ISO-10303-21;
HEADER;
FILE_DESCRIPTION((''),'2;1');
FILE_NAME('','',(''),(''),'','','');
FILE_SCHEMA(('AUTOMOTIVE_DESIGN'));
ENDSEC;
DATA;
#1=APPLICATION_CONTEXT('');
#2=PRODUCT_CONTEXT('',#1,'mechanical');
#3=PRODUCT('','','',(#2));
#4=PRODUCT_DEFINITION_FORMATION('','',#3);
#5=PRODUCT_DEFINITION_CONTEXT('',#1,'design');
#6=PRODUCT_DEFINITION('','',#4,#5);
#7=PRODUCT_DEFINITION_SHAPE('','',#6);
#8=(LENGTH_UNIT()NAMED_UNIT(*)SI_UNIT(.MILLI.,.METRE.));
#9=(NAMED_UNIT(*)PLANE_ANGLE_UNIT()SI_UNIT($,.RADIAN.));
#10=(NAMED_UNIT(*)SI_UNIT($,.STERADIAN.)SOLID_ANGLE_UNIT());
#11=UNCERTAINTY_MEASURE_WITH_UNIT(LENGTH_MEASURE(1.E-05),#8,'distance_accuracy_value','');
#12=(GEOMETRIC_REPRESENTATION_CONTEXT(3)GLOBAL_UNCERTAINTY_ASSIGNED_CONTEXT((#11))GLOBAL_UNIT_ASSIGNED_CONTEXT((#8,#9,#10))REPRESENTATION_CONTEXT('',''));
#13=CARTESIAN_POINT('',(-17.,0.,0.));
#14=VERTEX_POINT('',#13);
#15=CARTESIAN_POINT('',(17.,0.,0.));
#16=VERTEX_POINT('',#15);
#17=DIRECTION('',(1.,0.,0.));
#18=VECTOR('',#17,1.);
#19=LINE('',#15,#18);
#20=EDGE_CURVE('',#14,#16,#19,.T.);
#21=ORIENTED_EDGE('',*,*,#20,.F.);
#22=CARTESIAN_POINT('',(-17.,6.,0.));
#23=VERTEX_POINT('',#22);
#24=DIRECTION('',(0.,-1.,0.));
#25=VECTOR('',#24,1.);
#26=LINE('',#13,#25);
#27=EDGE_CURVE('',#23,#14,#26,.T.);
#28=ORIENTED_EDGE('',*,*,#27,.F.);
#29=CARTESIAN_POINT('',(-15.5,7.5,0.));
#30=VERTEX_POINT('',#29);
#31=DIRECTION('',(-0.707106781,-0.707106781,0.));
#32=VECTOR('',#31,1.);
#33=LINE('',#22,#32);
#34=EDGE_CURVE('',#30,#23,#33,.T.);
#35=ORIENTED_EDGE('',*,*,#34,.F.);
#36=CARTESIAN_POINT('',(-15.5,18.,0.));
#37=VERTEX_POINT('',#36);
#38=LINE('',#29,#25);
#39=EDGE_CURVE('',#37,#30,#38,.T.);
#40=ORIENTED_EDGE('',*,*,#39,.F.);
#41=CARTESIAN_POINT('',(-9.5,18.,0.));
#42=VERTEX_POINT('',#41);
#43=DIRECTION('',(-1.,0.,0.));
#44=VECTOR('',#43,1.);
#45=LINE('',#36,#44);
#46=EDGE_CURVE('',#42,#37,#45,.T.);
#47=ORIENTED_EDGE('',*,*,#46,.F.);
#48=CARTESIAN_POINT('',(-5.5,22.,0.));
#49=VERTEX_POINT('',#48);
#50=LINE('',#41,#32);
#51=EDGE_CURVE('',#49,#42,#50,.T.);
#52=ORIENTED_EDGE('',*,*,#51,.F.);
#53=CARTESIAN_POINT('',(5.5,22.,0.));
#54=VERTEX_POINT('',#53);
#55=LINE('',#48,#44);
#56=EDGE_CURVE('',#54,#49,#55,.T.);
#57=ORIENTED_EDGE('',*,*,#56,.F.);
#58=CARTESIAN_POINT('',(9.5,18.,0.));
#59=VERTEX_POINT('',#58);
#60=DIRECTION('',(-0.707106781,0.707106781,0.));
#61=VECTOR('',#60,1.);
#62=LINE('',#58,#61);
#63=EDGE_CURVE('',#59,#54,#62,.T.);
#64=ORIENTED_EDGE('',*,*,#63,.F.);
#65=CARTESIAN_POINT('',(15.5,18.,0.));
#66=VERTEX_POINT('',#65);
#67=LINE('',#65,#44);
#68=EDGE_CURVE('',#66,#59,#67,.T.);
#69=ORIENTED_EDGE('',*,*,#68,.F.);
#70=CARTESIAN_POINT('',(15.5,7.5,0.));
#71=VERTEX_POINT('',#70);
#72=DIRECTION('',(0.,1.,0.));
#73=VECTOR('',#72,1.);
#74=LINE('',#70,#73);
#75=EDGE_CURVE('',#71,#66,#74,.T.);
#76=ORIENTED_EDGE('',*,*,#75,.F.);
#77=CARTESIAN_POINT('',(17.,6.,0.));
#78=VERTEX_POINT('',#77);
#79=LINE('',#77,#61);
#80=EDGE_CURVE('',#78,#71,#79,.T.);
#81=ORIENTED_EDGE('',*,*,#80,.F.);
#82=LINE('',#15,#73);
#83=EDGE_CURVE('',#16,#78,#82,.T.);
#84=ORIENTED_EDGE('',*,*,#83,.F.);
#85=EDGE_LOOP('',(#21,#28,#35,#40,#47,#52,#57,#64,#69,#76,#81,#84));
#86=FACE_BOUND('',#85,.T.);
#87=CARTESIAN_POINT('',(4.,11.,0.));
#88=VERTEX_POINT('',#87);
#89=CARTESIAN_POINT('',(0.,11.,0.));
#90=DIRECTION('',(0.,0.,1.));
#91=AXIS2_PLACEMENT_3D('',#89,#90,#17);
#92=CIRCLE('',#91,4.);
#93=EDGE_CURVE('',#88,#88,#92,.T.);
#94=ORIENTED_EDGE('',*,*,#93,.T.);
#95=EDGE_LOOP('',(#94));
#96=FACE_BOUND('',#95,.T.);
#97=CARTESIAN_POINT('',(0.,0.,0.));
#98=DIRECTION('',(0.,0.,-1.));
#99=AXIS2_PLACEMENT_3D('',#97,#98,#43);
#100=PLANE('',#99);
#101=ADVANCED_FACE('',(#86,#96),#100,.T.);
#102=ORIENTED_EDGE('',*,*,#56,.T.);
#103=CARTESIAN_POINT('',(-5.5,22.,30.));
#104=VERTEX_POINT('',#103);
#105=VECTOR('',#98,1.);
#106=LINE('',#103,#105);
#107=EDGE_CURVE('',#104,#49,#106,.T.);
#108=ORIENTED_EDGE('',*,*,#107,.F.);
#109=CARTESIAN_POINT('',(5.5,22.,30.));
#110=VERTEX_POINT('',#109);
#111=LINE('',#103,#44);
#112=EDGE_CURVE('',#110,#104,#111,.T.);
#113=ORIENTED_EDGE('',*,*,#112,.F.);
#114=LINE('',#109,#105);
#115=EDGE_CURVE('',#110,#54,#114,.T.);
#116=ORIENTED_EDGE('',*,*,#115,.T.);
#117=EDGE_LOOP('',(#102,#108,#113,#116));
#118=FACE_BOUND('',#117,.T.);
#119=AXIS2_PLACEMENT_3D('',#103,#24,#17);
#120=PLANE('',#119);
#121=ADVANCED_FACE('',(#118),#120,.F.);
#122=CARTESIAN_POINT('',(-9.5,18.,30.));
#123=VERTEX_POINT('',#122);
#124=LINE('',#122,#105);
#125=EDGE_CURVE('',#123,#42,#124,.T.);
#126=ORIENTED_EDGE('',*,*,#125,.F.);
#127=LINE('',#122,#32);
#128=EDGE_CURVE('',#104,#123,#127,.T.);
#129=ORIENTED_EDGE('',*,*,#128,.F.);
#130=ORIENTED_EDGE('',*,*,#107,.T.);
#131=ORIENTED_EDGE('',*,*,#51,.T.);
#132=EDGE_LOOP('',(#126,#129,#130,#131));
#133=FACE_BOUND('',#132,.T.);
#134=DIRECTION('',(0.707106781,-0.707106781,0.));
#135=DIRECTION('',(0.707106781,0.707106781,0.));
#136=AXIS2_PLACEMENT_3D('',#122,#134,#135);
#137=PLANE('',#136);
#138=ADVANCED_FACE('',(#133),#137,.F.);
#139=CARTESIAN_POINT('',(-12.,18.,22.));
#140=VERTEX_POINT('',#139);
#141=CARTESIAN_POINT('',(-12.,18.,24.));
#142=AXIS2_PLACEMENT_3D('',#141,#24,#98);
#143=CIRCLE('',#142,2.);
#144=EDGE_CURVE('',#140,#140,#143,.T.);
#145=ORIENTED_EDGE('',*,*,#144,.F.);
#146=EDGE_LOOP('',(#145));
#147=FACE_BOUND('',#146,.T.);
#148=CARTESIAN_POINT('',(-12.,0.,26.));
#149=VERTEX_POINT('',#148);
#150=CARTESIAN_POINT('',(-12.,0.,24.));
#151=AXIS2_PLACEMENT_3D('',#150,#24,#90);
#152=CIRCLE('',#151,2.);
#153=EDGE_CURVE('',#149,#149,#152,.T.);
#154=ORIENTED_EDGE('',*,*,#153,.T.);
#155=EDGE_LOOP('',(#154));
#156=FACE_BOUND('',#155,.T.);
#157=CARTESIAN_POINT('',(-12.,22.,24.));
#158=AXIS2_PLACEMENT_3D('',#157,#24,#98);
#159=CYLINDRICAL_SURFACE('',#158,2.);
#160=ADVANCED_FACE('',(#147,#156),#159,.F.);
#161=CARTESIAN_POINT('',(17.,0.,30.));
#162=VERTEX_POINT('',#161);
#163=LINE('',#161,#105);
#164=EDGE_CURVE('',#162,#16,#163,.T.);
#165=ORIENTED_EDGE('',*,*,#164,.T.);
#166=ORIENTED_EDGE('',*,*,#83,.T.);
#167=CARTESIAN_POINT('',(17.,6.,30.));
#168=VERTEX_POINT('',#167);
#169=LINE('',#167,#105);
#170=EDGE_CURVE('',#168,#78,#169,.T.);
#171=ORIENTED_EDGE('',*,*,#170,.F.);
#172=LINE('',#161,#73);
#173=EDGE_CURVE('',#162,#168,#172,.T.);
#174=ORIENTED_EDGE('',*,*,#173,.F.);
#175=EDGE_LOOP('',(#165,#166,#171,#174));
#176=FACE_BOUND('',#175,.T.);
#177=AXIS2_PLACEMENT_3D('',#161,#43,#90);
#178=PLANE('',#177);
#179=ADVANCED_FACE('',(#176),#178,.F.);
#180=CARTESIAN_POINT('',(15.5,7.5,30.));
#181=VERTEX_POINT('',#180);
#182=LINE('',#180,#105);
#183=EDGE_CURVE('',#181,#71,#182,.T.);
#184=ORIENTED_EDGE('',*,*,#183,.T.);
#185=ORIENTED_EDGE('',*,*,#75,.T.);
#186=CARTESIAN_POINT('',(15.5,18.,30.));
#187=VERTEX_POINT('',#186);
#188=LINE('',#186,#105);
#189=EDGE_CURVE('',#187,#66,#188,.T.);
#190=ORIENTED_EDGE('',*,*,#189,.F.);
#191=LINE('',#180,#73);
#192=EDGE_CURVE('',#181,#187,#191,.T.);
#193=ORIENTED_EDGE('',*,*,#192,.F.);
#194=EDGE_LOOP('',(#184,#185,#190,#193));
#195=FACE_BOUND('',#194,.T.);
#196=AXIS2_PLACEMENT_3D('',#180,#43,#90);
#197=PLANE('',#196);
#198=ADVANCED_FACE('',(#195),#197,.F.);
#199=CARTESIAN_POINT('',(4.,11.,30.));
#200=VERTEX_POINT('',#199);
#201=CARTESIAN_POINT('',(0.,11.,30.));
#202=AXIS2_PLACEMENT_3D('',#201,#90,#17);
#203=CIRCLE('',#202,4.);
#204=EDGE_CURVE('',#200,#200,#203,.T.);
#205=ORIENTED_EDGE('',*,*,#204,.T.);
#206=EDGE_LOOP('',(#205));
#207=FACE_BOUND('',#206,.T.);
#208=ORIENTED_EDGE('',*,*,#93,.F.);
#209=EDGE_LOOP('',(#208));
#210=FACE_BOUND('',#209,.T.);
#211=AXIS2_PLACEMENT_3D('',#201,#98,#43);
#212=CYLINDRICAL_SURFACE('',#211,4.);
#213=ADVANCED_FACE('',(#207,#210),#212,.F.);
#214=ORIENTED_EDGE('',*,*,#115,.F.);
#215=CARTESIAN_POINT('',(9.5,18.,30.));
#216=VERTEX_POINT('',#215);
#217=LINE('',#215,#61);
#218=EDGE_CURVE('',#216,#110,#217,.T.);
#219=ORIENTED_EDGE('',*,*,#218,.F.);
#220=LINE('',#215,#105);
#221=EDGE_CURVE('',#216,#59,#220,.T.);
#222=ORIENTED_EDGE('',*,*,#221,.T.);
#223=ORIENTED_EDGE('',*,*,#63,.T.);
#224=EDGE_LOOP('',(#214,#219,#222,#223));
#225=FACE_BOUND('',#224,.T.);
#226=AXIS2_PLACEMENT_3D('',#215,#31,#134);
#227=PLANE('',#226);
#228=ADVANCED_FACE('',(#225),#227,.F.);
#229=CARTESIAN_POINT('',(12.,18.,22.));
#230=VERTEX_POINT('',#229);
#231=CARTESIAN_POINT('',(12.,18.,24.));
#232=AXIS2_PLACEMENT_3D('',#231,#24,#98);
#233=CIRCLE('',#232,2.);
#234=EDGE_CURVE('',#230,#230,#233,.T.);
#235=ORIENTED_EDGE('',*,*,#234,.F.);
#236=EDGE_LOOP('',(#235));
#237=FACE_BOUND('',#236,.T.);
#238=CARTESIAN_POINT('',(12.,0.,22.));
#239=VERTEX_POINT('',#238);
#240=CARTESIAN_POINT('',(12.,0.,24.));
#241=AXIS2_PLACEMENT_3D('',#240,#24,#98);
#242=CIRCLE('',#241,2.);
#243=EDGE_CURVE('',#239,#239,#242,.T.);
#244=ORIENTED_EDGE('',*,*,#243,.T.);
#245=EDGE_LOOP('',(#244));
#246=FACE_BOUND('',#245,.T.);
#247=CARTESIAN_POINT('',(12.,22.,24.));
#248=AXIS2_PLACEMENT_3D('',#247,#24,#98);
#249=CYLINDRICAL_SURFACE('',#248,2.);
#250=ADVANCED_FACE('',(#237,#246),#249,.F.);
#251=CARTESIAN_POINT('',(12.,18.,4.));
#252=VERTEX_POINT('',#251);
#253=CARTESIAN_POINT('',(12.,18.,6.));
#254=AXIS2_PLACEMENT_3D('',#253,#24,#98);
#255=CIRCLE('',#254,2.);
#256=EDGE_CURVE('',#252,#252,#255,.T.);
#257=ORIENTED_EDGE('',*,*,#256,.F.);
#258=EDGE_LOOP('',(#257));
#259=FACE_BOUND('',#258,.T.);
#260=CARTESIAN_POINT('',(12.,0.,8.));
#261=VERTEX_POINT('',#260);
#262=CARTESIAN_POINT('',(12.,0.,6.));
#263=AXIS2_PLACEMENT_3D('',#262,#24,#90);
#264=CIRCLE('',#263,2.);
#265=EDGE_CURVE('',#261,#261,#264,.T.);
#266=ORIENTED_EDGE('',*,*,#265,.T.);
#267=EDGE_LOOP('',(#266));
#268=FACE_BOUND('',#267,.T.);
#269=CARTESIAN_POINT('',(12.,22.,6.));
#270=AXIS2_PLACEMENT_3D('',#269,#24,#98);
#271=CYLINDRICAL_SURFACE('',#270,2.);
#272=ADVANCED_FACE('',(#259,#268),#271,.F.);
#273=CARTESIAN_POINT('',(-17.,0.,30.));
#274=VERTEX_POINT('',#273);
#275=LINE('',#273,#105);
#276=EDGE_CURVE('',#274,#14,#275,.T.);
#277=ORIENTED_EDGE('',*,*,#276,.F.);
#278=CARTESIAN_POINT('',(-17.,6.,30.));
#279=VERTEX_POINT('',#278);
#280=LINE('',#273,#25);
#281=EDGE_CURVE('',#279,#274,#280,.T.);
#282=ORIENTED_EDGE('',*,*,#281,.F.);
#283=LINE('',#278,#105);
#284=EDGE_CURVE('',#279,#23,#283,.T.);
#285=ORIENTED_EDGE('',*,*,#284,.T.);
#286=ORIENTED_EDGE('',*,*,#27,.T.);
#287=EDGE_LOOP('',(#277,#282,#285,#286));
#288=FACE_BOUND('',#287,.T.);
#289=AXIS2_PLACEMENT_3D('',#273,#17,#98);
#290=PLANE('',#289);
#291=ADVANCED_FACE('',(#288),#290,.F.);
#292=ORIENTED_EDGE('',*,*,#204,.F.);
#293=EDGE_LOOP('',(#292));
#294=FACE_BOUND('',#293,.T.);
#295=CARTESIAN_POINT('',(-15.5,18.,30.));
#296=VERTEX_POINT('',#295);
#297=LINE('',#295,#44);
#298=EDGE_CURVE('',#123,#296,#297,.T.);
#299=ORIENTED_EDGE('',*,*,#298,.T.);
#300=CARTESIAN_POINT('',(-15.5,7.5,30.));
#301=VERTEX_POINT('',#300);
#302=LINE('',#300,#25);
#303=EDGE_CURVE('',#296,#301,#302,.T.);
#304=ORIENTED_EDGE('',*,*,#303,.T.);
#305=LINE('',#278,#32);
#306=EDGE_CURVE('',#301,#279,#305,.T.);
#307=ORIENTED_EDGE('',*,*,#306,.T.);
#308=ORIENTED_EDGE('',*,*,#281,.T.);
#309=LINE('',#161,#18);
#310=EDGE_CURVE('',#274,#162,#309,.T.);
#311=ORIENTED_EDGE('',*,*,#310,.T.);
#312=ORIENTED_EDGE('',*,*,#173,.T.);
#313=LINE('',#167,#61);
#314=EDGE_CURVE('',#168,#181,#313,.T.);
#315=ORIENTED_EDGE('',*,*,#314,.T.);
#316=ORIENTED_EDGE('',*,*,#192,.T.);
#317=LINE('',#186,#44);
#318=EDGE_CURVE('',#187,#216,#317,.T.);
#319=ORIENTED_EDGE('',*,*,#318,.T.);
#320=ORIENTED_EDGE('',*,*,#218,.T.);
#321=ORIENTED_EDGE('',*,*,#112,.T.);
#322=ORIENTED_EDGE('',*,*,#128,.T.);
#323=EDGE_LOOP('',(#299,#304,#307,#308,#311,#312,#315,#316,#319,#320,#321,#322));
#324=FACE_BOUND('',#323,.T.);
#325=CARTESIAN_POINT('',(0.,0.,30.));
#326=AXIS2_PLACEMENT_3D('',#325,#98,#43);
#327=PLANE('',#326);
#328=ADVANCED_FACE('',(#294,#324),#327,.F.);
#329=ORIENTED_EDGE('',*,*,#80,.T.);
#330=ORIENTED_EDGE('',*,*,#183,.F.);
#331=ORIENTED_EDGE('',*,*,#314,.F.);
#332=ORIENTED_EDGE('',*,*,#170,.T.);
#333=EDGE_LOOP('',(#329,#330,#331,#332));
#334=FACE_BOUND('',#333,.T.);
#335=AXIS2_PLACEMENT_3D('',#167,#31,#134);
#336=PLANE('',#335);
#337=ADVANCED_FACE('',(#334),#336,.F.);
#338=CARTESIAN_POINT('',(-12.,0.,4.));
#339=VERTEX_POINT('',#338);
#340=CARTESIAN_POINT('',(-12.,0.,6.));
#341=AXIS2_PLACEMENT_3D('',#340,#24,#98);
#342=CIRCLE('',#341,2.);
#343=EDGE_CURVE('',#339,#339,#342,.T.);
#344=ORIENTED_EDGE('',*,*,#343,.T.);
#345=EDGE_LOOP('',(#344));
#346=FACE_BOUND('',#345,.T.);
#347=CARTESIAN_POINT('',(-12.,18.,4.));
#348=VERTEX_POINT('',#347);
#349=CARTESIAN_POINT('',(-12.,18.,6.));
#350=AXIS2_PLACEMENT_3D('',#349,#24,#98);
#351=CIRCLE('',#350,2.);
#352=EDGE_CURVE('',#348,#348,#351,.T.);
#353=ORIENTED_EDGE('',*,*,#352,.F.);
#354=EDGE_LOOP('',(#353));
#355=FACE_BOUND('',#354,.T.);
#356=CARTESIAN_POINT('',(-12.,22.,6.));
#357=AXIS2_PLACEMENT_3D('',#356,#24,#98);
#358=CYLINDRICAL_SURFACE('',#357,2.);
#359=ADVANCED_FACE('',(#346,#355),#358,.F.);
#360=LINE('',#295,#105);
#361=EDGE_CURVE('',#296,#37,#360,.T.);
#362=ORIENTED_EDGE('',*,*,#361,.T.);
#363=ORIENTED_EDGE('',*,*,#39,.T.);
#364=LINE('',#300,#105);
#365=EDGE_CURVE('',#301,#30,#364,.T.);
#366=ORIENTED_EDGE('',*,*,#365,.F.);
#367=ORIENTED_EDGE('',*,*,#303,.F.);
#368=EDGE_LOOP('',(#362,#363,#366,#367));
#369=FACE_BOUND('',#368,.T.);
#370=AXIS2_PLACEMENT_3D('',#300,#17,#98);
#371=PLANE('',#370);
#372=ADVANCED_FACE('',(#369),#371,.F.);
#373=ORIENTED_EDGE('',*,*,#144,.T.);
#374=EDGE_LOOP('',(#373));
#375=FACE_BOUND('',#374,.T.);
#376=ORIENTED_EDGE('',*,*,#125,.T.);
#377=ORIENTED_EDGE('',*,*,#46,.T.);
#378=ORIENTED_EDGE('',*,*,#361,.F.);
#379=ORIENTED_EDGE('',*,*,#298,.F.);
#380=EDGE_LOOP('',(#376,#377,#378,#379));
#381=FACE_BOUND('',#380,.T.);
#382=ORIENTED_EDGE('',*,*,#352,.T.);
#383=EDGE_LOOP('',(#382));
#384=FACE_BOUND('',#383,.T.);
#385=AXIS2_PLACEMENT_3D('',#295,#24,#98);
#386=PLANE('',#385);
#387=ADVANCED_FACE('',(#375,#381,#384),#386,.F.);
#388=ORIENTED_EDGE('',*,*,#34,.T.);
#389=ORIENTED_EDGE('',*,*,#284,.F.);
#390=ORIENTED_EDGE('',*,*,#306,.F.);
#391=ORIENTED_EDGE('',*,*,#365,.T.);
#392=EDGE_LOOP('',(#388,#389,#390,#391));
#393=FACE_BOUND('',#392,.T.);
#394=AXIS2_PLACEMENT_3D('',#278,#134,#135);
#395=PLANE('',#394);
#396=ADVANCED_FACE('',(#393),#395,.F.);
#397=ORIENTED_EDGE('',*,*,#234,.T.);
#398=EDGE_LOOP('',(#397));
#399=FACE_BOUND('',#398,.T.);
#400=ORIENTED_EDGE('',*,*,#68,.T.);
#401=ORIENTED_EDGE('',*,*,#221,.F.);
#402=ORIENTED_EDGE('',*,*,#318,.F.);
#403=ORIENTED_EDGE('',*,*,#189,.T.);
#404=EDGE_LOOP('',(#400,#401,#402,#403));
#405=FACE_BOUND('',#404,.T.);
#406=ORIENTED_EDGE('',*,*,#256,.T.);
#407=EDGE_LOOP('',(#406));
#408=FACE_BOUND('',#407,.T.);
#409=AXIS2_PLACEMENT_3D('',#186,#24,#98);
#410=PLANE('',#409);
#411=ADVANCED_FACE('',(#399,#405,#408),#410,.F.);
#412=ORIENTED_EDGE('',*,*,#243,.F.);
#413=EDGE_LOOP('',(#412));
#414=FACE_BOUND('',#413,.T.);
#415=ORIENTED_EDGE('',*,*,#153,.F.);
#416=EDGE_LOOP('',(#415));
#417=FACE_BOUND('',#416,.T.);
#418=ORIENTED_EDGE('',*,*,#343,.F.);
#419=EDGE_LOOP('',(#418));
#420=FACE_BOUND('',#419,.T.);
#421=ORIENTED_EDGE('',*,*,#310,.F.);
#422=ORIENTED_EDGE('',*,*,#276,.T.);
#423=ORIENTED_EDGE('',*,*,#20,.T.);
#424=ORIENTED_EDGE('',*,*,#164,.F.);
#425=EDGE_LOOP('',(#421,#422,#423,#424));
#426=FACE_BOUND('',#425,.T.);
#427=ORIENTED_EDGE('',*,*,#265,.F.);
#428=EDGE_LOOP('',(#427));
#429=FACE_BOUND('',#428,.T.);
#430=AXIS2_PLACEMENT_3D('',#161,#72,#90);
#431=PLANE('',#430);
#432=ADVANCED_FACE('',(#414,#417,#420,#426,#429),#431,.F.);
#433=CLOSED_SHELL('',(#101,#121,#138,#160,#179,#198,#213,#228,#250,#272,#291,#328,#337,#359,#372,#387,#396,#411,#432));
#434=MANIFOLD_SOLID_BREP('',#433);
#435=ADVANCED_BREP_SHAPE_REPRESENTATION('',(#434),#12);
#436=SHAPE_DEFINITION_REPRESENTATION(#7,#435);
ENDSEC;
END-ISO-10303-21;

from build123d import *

# Parameters (mm, degrees)
SKETCH_1_R          = 4
EXTRUDE_1_DEPTH     = 30
SKETCH_3_R          = 2
CUT_EXTRUDE_1_DEPTH = 41.902322672


with BuildPart() as part:
    # 草图1 → 凸台-拉伸1 (new body)
    with BuildSketch(Plane.XY):
        Polygon((17, 0), (-17, 0), (-17, 6), (-15.5, 7.5), (-15.5, 18), (-9.5, 18), (-5.5, 22), (5.5, 22), (9.5, 18), (15.5, 18), (15.5, 7.5), (17, 6), align=None)
        with Locations((0, 11)):
            Circle(SKETCH_1_R, mode=Mode.SUBTRACT)
    extrude(amount=EXTRUDE_1_DEPTH)

    # 草图3 → 切除-拉伸1 (cut, through all)
    with BuildSketch(Plane.XZ):
        with Locations(Location((12, 24, 0), (0, 0, 270))):
            Circle(SKETCH_3_R)
        with Locations(Location((-12, 24, 0), (0, 0, 270))):
            Circle(SKETCH_3_R)
        with Locations(Location((-12, 6, 0), (0, 0, 270))):
            Circle(SKETCH_3_R)
        with Locations(Location((12, 6, 0), (0, 0, 270))):
            Circle(SKETCH_3_R)
    extrude(amount=-CUT_EXTRUDE_1_DEPTH, mode=Mode.SUBTRACT)


solid = part.part
